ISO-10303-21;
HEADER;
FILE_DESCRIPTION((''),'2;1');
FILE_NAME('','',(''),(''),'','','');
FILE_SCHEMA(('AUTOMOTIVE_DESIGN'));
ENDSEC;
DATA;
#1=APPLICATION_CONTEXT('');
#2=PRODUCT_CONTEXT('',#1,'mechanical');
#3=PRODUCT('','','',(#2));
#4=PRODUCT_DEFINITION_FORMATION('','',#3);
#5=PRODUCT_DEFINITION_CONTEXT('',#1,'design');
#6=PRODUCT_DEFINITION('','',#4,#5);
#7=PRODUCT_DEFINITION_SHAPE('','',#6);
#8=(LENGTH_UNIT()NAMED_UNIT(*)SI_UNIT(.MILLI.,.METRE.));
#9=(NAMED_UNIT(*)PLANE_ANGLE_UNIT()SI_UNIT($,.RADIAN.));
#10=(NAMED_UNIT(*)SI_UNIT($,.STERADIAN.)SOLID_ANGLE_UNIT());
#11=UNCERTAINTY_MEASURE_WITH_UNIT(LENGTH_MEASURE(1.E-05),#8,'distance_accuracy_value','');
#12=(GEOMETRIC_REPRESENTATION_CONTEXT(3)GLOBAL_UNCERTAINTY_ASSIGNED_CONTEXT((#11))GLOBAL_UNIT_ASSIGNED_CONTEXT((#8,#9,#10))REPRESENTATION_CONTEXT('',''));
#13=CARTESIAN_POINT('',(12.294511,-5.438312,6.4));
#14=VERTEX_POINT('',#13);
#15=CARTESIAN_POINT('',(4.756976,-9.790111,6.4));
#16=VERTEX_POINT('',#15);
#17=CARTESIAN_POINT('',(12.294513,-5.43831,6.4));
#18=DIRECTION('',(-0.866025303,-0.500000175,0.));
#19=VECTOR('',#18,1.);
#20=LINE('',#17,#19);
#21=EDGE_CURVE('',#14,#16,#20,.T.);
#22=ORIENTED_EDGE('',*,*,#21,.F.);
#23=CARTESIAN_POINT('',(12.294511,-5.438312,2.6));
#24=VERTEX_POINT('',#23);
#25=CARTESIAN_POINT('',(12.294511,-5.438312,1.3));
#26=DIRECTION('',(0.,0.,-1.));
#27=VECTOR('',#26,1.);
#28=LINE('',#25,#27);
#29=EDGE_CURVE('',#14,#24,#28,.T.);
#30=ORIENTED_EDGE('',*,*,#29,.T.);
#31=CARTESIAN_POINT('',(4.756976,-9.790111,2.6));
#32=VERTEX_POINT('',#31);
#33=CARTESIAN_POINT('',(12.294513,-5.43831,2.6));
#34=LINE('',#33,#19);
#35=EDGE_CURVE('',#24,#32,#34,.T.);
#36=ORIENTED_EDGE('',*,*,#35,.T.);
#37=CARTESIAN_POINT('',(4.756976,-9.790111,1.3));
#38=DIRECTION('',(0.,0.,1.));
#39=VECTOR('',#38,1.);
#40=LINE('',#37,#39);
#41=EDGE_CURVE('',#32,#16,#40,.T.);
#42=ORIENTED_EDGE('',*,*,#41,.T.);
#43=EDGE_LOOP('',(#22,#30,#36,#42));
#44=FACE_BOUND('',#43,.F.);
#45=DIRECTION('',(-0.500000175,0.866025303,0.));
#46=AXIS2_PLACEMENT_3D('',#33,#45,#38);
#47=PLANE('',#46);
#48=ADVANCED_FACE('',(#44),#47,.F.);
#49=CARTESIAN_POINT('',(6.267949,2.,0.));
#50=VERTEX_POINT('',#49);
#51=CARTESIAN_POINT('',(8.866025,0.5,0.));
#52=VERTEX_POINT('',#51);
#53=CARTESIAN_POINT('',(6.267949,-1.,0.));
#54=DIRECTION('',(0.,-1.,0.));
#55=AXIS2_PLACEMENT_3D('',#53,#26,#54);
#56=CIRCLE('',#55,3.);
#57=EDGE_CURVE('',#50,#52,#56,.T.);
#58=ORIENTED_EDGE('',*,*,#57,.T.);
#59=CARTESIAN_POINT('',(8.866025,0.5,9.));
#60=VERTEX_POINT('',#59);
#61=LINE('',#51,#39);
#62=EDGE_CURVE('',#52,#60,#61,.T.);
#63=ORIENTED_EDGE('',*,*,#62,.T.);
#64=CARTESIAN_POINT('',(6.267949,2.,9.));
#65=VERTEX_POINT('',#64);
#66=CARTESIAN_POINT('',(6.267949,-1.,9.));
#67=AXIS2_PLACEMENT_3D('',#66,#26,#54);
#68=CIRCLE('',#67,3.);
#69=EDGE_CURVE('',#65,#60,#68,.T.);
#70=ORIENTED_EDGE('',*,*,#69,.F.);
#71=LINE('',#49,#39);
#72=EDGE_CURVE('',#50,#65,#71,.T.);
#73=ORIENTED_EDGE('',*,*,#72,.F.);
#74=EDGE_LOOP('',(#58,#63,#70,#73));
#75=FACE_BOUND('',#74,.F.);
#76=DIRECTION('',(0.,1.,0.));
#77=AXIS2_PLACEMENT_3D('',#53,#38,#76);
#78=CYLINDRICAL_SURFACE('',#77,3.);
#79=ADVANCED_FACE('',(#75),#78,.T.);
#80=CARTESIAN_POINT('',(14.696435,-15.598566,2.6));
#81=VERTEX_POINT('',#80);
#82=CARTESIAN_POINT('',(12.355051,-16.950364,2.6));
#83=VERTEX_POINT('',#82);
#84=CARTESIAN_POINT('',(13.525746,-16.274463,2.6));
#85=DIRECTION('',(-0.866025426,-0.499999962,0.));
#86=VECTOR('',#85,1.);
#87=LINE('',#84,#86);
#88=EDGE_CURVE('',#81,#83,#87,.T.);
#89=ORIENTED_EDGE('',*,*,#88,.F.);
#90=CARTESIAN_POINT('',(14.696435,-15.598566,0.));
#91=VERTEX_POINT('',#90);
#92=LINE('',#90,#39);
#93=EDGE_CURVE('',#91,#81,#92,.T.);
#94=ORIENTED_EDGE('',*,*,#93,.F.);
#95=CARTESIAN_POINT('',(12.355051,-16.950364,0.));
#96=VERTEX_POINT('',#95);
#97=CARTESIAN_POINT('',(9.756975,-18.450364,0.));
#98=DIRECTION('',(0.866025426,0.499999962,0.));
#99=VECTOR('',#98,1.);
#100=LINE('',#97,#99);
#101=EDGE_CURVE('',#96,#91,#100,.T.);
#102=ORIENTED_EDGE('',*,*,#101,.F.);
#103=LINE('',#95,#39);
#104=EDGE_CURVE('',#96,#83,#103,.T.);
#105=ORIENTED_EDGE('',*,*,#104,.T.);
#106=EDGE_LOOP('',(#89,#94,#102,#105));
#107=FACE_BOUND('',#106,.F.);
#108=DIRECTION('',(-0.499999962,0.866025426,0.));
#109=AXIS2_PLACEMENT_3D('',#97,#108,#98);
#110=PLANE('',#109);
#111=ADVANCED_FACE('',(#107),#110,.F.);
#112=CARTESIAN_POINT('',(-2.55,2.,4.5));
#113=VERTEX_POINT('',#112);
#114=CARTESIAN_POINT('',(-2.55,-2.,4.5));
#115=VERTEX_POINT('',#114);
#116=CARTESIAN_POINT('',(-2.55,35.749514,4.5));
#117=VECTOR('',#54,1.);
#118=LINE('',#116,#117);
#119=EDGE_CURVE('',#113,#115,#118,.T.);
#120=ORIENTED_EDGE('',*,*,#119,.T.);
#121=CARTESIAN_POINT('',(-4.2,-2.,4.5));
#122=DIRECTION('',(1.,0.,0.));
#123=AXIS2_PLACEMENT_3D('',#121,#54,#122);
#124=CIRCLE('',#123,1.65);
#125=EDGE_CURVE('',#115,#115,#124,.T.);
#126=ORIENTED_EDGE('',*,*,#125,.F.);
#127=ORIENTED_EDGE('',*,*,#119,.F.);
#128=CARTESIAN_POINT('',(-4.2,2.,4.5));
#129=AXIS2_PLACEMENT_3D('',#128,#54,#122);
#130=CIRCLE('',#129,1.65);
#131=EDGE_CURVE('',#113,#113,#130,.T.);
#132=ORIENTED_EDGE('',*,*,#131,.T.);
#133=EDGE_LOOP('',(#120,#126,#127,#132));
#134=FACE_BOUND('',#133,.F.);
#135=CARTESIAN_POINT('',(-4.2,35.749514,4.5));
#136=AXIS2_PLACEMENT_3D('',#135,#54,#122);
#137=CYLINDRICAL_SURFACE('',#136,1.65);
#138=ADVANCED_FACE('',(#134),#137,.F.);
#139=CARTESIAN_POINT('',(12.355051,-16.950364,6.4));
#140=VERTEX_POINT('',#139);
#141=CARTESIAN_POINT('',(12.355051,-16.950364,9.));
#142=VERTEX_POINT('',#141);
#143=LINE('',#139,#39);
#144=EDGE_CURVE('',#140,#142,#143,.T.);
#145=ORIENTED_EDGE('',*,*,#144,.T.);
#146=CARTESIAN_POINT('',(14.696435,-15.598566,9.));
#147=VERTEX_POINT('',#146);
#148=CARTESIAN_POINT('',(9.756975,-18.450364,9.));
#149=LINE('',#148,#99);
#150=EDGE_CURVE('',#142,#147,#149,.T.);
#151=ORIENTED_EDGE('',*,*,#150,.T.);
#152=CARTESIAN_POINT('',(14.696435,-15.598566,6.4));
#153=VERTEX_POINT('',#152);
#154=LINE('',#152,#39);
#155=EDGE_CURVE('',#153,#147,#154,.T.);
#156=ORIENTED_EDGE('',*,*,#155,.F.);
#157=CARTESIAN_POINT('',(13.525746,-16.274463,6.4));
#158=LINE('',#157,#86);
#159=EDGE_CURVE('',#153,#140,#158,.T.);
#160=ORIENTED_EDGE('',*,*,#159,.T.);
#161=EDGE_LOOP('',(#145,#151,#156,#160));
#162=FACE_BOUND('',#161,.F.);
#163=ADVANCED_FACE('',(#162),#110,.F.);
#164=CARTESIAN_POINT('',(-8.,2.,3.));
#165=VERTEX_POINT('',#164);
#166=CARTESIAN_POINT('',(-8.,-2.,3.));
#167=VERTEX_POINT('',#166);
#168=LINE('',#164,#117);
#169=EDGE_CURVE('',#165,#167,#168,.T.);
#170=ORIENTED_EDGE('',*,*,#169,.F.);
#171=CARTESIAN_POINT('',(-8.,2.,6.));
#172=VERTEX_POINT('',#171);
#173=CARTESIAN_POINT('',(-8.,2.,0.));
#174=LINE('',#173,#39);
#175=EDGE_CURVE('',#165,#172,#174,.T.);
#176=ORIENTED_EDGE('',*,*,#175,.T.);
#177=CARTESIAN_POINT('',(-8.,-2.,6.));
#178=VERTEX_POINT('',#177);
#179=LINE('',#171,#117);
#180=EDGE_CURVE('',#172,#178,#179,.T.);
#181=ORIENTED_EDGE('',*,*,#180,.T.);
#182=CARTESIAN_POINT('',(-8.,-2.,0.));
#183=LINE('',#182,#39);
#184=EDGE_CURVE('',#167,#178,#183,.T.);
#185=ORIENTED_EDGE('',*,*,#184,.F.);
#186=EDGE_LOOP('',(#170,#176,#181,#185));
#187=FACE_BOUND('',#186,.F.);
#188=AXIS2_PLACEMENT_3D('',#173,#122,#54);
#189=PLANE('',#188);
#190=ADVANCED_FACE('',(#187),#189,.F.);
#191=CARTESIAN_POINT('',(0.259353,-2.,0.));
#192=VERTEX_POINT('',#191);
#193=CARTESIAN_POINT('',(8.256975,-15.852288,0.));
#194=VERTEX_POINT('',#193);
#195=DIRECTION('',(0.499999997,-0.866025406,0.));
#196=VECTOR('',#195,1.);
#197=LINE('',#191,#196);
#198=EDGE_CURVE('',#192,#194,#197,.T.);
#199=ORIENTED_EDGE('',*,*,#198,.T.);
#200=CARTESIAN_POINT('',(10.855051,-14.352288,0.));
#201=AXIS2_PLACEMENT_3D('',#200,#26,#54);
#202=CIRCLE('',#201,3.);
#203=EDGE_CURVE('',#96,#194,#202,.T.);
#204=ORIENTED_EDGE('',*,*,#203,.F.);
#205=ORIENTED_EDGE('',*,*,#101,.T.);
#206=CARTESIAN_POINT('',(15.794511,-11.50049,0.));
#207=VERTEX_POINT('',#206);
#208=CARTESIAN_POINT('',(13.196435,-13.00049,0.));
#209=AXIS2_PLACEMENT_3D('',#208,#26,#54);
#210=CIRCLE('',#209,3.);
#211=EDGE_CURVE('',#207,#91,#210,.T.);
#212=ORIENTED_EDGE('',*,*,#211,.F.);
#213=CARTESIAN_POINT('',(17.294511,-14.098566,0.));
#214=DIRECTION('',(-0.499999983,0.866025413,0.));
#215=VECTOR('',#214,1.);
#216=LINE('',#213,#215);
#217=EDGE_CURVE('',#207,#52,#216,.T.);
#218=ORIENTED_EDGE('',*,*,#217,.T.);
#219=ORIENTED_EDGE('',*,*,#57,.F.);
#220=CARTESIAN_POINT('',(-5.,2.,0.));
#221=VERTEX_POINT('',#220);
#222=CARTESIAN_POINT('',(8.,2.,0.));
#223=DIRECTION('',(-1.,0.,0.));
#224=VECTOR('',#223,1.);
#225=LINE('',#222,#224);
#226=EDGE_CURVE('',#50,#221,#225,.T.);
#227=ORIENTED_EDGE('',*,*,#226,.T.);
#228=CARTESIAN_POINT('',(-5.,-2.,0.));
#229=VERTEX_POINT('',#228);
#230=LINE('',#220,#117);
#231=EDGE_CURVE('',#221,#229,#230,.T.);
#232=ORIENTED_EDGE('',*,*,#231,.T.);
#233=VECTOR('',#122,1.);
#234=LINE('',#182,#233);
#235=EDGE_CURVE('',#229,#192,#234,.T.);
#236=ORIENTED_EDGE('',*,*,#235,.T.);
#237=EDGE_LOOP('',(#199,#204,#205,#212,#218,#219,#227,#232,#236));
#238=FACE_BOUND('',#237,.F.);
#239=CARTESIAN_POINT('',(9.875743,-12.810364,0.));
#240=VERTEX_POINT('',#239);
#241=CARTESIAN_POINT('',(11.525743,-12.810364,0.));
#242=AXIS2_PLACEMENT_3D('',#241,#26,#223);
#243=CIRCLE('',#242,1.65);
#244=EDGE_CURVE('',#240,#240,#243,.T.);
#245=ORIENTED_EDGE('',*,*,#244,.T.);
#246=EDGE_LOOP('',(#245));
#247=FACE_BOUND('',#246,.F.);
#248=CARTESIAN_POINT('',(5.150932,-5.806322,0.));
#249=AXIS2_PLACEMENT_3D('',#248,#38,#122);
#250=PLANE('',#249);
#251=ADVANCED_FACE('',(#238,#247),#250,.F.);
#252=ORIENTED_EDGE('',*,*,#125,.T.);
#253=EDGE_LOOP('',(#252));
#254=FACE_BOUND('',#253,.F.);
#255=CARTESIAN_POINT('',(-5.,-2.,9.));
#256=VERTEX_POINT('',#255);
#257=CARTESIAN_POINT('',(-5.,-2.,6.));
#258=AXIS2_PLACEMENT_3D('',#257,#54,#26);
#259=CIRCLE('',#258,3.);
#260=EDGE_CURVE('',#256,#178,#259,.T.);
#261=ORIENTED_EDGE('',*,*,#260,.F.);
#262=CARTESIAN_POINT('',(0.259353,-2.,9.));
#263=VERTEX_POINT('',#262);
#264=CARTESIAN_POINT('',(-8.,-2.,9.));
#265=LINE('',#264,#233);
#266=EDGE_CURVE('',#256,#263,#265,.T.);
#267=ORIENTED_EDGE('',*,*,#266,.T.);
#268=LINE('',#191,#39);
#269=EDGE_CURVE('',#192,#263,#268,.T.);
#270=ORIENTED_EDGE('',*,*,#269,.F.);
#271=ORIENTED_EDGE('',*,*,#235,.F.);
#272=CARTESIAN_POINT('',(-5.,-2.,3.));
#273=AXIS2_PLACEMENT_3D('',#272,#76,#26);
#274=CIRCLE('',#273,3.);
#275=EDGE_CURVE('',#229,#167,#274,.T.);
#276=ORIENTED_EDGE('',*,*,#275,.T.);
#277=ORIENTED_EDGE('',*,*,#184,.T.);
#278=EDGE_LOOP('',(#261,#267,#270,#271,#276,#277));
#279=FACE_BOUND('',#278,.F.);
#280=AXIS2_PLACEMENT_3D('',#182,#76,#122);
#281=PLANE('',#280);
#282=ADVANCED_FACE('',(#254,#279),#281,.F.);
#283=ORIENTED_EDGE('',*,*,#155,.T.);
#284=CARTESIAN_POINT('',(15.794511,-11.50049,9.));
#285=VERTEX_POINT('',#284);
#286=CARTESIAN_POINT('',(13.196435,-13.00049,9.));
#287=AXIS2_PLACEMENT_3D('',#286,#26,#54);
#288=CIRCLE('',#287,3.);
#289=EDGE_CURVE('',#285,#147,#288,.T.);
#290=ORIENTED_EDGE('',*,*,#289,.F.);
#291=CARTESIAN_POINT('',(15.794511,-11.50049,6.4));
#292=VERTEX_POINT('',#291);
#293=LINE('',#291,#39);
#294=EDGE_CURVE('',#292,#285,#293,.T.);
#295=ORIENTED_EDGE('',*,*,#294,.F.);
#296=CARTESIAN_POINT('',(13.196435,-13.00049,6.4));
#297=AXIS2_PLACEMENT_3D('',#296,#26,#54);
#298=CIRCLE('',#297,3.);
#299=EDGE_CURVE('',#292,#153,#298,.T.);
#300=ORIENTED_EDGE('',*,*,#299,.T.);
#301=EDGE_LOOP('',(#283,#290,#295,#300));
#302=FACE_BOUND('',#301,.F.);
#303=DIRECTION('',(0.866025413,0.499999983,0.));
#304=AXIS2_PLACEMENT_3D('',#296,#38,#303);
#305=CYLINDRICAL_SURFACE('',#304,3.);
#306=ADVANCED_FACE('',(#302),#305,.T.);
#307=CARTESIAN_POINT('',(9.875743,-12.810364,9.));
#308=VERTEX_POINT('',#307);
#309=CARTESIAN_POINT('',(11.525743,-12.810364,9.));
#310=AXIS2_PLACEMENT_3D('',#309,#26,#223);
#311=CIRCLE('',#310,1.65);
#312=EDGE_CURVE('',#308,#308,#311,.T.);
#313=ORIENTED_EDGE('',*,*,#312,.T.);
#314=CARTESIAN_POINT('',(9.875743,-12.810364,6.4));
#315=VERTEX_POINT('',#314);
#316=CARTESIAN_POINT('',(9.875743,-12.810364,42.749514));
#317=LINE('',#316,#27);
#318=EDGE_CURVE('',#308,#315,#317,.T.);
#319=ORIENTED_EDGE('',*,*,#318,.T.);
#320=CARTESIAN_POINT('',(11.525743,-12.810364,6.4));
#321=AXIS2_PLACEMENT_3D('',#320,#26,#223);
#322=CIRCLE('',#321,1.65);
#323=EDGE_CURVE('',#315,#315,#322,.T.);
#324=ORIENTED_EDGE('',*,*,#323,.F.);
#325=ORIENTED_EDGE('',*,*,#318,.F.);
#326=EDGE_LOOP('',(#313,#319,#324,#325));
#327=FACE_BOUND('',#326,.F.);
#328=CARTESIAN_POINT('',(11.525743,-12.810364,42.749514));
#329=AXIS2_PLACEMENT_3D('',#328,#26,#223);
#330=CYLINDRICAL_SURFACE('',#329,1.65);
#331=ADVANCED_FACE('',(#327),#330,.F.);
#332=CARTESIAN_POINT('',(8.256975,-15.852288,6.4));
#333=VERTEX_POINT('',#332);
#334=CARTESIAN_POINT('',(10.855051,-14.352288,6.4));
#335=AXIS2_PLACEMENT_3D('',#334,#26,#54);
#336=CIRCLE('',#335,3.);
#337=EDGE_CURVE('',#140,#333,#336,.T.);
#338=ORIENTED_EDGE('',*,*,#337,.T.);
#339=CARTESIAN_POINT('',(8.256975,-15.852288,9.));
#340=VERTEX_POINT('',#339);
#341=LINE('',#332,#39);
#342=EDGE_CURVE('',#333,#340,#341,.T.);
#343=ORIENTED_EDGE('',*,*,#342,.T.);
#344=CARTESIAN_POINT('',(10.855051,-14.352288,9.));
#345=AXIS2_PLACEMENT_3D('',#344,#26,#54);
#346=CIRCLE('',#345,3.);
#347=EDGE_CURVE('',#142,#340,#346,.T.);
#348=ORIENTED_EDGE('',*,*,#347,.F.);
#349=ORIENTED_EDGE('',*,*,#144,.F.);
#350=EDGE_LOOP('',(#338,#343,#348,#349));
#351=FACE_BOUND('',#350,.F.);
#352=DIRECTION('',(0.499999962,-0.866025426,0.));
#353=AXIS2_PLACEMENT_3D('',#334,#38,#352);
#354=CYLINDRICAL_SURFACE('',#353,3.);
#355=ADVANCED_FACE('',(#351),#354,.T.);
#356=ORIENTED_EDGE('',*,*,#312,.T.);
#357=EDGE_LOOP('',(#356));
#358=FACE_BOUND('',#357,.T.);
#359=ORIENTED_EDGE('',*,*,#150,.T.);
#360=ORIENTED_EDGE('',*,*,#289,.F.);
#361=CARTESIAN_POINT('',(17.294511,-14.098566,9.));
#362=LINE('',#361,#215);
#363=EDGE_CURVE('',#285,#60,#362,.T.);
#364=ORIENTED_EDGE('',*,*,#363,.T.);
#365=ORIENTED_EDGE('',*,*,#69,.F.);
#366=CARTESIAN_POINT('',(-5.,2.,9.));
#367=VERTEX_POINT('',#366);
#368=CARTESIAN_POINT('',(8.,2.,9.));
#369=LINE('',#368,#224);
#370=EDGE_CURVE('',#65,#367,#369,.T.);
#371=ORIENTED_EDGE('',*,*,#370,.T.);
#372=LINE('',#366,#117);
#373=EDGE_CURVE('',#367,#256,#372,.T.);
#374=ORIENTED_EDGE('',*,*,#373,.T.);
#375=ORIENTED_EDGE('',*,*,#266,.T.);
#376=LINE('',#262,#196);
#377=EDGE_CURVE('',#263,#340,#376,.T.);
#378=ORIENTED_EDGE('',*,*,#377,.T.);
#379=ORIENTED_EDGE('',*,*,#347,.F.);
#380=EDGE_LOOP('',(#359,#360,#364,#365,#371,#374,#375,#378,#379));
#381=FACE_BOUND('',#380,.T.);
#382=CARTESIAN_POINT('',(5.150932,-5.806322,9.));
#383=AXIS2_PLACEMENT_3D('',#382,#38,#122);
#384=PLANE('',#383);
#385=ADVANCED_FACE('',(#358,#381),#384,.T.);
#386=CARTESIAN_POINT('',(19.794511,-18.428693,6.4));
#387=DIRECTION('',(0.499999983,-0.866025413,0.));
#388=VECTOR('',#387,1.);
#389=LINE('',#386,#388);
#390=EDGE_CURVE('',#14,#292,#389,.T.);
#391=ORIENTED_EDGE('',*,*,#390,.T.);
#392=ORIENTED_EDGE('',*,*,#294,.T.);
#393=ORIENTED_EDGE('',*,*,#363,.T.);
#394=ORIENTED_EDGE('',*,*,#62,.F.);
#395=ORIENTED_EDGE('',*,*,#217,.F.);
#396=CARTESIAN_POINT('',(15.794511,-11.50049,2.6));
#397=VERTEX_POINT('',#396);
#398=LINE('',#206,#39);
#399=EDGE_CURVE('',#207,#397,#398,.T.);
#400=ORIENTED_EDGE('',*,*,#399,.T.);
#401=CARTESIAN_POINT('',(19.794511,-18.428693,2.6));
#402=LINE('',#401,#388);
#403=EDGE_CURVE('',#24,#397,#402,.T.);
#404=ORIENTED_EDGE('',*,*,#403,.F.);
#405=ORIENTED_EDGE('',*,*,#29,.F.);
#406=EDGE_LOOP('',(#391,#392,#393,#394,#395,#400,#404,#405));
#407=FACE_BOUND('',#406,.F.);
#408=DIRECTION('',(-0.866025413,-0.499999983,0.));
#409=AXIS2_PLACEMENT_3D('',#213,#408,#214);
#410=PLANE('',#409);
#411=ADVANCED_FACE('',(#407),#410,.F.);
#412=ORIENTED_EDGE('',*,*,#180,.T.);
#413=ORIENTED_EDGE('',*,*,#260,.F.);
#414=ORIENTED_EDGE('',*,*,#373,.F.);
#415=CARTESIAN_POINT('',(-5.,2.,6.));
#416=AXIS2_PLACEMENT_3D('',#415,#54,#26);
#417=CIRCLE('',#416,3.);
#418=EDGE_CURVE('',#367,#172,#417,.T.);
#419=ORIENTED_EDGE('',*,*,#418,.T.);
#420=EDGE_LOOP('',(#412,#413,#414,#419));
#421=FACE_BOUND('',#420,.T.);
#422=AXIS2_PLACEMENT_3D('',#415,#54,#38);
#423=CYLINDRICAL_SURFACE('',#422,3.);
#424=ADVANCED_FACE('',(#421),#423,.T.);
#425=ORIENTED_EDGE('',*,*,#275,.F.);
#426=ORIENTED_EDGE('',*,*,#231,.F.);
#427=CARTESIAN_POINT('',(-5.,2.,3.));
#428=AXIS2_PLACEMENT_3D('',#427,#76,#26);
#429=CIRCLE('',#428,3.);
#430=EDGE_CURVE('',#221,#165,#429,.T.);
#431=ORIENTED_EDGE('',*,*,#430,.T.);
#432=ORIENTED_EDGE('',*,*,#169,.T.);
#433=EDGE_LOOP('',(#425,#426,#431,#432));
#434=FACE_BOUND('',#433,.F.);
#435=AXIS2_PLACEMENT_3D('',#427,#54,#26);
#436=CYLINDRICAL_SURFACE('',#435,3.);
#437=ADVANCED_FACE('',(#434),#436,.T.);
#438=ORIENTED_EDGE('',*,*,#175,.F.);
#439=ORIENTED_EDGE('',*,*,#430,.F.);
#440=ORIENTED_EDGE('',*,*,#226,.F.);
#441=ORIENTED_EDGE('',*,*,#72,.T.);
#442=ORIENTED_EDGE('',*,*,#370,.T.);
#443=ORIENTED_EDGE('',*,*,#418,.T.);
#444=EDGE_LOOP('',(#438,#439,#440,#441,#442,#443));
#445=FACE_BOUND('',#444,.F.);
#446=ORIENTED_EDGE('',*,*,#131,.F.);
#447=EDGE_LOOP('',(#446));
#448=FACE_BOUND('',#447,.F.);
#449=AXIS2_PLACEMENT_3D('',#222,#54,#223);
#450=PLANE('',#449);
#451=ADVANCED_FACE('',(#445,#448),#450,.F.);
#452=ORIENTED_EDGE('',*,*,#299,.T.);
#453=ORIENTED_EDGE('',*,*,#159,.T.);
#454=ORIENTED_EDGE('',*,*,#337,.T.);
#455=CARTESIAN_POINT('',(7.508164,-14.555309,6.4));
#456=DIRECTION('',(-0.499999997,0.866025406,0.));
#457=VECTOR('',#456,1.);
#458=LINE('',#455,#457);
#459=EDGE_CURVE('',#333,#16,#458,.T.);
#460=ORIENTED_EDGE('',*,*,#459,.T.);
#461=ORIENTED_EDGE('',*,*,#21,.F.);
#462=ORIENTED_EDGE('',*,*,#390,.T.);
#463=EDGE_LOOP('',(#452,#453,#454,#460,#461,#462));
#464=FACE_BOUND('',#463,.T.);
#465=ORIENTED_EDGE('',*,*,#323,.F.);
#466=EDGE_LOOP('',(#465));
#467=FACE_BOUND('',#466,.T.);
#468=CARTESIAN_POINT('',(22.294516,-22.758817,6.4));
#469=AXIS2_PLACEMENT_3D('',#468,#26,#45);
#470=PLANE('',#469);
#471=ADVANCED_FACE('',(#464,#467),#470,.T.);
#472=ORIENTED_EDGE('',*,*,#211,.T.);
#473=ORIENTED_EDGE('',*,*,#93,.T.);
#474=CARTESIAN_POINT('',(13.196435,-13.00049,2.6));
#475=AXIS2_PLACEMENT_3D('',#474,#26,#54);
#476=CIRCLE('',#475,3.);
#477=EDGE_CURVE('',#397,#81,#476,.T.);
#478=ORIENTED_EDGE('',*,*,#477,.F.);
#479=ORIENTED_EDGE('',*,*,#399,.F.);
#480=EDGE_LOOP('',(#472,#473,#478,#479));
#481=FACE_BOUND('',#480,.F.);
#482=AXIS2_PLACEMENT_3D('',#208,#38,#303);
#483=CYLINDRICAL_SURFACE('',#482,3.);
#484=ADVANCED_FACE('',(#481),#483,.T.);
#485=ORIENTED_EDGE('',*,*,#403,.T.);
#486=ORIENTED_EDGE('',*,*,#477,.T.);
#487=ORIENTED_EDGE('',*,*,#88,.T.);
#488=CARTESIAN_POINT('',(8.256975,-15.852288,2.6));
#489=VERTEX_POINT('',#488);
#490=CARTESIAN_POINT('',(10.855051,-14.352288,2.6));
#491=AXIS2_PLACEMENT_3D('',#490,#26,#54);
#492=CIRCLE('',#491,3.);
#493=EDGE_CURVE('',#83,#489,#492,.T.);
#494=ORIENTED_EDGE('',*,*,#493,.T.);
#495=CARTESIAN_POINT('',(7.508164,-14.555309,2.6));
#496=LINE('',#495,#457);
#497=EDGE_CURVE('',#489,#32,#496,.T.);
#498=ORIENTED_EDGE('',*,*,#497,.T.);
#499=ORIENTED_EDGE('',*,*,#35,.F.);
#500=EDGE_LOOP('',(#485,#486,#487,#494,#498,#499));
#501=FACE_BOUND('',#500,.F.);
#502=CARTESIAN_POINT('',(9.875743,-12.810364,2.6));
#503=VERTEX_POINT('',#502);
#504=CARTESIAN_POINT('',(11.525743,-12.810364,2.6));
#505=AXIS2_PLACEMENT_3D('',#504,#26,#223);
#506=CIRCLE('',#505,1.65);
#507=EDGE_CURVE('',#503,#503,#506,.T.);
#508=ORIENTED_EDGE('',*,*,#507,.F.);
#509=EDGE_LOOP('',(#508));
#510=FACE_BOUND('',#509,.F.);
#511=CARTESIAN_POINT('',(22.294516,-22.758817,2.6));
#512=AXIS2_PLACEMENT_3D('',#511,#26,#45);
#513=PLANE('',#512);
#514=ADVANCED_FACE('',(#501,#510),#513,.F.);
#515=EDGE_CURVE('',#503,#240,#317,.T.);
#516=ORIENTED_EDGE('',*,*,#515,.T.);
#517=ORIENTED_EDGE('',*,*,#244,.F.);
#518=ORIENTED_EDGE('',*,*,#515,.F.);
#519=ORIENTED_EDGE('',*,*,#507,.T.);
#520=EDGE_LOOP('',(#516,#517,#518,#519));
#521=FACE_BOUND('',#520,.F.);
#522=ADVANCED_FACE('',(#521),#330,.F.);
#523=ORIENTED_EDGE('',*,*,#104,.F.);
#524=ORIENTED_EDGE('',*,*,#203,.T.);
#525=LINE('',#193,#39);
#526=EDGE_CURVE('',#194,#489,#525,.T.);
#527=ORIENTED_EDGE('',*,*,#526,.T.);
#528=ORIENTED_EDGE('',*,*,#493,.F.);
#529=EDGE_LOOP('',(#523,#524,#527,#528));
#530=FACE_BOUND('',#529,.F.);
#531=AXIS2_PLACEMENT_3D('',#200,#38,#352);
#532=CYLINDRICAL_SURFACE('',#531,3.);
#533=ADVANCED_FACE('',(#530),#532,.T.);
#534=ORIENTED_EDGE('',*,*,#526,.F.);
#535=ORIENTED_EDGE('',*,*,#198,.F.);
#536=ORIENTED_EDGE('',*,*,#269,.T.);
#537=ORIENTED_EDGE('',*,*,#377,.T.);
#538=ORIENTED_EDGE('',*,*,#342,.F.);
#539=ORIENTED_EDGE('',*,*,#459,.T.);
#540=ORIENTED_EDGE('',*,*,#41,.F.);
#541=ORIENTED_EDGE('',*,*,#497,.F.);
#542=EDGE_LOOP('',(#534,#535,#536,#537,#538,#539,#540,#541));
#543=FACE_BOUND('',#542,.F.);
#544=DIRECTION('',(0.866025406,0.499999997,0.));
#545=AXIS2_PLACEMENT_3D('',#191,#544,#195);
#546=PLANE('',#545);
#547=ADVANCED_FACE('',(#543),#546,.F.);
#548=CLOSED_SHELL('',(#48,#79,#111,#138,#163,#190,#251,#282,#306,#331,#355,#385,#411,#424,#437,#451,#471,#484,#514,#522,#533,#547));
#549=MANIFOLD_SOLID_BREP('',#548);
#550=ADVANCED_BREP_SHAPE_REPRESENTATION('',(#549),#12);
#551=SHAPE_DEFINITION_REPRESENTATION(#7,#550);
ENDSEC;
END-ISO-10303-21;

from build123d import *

# Parameters (mm, degrees)
F1_DEPTH = 9
F3_W     = 20
F3_H     = 3.8
F4_DEPTH = 25
F6_D     = 3.3
F7_D     = 3.3
F8_R     = 3


with BuildPart() as f1:
    # F0 (on Top) → F1 (new body)
    with BuildSketch(Plane.XY):
        Polygon((8, 2), (-8, 2), (-8, -2), (0.259353, -2), (9.756975, -18.450364), (17.294511, -14.098566), align=None)
    extrude(amount=F1_DEPTH)

    # F3 (on face) → F4 (cut)
    with BuildSketch(Plane(origin=(6.866025, 3.964102, 0), x_dir=(-0.5, 0.866025, 0), z_dir=(0.866025, 0.5, 0))):
        with Locations((-20.856972, 4.5)):
            Rectangle(F3_W, F3_H)
    extrude(amount=-F4_DEPTH, mode=Mode.SUBTRACT)

    # F6 (through all)
    with Locations(Plane.XY.offset(9)):
        with Locations((11.525743, -12.810364)):
            Hole(F6_D / 2)

    # F7 (through all)
    with Locations(Plane(origin=(0, 2, 0), x_dir=(-1, 0, 0), z_dir=(0, 1, 0))):
        with Locations((4.2, 4.5)):
            Hole(F7_D / 2)

    # F8
    f8_edges = [f1.edges().sort_by_distance(p)[0] for p in [
        (-8, 0, 9),
        (-8, 0, 0),
        (8, 2, 4.5),
        (17.294511, -14.098566, 7.7),
        (17.294511, -14.098566, 1.3),
        (9.756975, -18.450364, 7.7),
        (9.756975, -18.450364, 1.3),
    ]]
    fillet(f8_edges, radius=F8_R)


solid = f1.part
